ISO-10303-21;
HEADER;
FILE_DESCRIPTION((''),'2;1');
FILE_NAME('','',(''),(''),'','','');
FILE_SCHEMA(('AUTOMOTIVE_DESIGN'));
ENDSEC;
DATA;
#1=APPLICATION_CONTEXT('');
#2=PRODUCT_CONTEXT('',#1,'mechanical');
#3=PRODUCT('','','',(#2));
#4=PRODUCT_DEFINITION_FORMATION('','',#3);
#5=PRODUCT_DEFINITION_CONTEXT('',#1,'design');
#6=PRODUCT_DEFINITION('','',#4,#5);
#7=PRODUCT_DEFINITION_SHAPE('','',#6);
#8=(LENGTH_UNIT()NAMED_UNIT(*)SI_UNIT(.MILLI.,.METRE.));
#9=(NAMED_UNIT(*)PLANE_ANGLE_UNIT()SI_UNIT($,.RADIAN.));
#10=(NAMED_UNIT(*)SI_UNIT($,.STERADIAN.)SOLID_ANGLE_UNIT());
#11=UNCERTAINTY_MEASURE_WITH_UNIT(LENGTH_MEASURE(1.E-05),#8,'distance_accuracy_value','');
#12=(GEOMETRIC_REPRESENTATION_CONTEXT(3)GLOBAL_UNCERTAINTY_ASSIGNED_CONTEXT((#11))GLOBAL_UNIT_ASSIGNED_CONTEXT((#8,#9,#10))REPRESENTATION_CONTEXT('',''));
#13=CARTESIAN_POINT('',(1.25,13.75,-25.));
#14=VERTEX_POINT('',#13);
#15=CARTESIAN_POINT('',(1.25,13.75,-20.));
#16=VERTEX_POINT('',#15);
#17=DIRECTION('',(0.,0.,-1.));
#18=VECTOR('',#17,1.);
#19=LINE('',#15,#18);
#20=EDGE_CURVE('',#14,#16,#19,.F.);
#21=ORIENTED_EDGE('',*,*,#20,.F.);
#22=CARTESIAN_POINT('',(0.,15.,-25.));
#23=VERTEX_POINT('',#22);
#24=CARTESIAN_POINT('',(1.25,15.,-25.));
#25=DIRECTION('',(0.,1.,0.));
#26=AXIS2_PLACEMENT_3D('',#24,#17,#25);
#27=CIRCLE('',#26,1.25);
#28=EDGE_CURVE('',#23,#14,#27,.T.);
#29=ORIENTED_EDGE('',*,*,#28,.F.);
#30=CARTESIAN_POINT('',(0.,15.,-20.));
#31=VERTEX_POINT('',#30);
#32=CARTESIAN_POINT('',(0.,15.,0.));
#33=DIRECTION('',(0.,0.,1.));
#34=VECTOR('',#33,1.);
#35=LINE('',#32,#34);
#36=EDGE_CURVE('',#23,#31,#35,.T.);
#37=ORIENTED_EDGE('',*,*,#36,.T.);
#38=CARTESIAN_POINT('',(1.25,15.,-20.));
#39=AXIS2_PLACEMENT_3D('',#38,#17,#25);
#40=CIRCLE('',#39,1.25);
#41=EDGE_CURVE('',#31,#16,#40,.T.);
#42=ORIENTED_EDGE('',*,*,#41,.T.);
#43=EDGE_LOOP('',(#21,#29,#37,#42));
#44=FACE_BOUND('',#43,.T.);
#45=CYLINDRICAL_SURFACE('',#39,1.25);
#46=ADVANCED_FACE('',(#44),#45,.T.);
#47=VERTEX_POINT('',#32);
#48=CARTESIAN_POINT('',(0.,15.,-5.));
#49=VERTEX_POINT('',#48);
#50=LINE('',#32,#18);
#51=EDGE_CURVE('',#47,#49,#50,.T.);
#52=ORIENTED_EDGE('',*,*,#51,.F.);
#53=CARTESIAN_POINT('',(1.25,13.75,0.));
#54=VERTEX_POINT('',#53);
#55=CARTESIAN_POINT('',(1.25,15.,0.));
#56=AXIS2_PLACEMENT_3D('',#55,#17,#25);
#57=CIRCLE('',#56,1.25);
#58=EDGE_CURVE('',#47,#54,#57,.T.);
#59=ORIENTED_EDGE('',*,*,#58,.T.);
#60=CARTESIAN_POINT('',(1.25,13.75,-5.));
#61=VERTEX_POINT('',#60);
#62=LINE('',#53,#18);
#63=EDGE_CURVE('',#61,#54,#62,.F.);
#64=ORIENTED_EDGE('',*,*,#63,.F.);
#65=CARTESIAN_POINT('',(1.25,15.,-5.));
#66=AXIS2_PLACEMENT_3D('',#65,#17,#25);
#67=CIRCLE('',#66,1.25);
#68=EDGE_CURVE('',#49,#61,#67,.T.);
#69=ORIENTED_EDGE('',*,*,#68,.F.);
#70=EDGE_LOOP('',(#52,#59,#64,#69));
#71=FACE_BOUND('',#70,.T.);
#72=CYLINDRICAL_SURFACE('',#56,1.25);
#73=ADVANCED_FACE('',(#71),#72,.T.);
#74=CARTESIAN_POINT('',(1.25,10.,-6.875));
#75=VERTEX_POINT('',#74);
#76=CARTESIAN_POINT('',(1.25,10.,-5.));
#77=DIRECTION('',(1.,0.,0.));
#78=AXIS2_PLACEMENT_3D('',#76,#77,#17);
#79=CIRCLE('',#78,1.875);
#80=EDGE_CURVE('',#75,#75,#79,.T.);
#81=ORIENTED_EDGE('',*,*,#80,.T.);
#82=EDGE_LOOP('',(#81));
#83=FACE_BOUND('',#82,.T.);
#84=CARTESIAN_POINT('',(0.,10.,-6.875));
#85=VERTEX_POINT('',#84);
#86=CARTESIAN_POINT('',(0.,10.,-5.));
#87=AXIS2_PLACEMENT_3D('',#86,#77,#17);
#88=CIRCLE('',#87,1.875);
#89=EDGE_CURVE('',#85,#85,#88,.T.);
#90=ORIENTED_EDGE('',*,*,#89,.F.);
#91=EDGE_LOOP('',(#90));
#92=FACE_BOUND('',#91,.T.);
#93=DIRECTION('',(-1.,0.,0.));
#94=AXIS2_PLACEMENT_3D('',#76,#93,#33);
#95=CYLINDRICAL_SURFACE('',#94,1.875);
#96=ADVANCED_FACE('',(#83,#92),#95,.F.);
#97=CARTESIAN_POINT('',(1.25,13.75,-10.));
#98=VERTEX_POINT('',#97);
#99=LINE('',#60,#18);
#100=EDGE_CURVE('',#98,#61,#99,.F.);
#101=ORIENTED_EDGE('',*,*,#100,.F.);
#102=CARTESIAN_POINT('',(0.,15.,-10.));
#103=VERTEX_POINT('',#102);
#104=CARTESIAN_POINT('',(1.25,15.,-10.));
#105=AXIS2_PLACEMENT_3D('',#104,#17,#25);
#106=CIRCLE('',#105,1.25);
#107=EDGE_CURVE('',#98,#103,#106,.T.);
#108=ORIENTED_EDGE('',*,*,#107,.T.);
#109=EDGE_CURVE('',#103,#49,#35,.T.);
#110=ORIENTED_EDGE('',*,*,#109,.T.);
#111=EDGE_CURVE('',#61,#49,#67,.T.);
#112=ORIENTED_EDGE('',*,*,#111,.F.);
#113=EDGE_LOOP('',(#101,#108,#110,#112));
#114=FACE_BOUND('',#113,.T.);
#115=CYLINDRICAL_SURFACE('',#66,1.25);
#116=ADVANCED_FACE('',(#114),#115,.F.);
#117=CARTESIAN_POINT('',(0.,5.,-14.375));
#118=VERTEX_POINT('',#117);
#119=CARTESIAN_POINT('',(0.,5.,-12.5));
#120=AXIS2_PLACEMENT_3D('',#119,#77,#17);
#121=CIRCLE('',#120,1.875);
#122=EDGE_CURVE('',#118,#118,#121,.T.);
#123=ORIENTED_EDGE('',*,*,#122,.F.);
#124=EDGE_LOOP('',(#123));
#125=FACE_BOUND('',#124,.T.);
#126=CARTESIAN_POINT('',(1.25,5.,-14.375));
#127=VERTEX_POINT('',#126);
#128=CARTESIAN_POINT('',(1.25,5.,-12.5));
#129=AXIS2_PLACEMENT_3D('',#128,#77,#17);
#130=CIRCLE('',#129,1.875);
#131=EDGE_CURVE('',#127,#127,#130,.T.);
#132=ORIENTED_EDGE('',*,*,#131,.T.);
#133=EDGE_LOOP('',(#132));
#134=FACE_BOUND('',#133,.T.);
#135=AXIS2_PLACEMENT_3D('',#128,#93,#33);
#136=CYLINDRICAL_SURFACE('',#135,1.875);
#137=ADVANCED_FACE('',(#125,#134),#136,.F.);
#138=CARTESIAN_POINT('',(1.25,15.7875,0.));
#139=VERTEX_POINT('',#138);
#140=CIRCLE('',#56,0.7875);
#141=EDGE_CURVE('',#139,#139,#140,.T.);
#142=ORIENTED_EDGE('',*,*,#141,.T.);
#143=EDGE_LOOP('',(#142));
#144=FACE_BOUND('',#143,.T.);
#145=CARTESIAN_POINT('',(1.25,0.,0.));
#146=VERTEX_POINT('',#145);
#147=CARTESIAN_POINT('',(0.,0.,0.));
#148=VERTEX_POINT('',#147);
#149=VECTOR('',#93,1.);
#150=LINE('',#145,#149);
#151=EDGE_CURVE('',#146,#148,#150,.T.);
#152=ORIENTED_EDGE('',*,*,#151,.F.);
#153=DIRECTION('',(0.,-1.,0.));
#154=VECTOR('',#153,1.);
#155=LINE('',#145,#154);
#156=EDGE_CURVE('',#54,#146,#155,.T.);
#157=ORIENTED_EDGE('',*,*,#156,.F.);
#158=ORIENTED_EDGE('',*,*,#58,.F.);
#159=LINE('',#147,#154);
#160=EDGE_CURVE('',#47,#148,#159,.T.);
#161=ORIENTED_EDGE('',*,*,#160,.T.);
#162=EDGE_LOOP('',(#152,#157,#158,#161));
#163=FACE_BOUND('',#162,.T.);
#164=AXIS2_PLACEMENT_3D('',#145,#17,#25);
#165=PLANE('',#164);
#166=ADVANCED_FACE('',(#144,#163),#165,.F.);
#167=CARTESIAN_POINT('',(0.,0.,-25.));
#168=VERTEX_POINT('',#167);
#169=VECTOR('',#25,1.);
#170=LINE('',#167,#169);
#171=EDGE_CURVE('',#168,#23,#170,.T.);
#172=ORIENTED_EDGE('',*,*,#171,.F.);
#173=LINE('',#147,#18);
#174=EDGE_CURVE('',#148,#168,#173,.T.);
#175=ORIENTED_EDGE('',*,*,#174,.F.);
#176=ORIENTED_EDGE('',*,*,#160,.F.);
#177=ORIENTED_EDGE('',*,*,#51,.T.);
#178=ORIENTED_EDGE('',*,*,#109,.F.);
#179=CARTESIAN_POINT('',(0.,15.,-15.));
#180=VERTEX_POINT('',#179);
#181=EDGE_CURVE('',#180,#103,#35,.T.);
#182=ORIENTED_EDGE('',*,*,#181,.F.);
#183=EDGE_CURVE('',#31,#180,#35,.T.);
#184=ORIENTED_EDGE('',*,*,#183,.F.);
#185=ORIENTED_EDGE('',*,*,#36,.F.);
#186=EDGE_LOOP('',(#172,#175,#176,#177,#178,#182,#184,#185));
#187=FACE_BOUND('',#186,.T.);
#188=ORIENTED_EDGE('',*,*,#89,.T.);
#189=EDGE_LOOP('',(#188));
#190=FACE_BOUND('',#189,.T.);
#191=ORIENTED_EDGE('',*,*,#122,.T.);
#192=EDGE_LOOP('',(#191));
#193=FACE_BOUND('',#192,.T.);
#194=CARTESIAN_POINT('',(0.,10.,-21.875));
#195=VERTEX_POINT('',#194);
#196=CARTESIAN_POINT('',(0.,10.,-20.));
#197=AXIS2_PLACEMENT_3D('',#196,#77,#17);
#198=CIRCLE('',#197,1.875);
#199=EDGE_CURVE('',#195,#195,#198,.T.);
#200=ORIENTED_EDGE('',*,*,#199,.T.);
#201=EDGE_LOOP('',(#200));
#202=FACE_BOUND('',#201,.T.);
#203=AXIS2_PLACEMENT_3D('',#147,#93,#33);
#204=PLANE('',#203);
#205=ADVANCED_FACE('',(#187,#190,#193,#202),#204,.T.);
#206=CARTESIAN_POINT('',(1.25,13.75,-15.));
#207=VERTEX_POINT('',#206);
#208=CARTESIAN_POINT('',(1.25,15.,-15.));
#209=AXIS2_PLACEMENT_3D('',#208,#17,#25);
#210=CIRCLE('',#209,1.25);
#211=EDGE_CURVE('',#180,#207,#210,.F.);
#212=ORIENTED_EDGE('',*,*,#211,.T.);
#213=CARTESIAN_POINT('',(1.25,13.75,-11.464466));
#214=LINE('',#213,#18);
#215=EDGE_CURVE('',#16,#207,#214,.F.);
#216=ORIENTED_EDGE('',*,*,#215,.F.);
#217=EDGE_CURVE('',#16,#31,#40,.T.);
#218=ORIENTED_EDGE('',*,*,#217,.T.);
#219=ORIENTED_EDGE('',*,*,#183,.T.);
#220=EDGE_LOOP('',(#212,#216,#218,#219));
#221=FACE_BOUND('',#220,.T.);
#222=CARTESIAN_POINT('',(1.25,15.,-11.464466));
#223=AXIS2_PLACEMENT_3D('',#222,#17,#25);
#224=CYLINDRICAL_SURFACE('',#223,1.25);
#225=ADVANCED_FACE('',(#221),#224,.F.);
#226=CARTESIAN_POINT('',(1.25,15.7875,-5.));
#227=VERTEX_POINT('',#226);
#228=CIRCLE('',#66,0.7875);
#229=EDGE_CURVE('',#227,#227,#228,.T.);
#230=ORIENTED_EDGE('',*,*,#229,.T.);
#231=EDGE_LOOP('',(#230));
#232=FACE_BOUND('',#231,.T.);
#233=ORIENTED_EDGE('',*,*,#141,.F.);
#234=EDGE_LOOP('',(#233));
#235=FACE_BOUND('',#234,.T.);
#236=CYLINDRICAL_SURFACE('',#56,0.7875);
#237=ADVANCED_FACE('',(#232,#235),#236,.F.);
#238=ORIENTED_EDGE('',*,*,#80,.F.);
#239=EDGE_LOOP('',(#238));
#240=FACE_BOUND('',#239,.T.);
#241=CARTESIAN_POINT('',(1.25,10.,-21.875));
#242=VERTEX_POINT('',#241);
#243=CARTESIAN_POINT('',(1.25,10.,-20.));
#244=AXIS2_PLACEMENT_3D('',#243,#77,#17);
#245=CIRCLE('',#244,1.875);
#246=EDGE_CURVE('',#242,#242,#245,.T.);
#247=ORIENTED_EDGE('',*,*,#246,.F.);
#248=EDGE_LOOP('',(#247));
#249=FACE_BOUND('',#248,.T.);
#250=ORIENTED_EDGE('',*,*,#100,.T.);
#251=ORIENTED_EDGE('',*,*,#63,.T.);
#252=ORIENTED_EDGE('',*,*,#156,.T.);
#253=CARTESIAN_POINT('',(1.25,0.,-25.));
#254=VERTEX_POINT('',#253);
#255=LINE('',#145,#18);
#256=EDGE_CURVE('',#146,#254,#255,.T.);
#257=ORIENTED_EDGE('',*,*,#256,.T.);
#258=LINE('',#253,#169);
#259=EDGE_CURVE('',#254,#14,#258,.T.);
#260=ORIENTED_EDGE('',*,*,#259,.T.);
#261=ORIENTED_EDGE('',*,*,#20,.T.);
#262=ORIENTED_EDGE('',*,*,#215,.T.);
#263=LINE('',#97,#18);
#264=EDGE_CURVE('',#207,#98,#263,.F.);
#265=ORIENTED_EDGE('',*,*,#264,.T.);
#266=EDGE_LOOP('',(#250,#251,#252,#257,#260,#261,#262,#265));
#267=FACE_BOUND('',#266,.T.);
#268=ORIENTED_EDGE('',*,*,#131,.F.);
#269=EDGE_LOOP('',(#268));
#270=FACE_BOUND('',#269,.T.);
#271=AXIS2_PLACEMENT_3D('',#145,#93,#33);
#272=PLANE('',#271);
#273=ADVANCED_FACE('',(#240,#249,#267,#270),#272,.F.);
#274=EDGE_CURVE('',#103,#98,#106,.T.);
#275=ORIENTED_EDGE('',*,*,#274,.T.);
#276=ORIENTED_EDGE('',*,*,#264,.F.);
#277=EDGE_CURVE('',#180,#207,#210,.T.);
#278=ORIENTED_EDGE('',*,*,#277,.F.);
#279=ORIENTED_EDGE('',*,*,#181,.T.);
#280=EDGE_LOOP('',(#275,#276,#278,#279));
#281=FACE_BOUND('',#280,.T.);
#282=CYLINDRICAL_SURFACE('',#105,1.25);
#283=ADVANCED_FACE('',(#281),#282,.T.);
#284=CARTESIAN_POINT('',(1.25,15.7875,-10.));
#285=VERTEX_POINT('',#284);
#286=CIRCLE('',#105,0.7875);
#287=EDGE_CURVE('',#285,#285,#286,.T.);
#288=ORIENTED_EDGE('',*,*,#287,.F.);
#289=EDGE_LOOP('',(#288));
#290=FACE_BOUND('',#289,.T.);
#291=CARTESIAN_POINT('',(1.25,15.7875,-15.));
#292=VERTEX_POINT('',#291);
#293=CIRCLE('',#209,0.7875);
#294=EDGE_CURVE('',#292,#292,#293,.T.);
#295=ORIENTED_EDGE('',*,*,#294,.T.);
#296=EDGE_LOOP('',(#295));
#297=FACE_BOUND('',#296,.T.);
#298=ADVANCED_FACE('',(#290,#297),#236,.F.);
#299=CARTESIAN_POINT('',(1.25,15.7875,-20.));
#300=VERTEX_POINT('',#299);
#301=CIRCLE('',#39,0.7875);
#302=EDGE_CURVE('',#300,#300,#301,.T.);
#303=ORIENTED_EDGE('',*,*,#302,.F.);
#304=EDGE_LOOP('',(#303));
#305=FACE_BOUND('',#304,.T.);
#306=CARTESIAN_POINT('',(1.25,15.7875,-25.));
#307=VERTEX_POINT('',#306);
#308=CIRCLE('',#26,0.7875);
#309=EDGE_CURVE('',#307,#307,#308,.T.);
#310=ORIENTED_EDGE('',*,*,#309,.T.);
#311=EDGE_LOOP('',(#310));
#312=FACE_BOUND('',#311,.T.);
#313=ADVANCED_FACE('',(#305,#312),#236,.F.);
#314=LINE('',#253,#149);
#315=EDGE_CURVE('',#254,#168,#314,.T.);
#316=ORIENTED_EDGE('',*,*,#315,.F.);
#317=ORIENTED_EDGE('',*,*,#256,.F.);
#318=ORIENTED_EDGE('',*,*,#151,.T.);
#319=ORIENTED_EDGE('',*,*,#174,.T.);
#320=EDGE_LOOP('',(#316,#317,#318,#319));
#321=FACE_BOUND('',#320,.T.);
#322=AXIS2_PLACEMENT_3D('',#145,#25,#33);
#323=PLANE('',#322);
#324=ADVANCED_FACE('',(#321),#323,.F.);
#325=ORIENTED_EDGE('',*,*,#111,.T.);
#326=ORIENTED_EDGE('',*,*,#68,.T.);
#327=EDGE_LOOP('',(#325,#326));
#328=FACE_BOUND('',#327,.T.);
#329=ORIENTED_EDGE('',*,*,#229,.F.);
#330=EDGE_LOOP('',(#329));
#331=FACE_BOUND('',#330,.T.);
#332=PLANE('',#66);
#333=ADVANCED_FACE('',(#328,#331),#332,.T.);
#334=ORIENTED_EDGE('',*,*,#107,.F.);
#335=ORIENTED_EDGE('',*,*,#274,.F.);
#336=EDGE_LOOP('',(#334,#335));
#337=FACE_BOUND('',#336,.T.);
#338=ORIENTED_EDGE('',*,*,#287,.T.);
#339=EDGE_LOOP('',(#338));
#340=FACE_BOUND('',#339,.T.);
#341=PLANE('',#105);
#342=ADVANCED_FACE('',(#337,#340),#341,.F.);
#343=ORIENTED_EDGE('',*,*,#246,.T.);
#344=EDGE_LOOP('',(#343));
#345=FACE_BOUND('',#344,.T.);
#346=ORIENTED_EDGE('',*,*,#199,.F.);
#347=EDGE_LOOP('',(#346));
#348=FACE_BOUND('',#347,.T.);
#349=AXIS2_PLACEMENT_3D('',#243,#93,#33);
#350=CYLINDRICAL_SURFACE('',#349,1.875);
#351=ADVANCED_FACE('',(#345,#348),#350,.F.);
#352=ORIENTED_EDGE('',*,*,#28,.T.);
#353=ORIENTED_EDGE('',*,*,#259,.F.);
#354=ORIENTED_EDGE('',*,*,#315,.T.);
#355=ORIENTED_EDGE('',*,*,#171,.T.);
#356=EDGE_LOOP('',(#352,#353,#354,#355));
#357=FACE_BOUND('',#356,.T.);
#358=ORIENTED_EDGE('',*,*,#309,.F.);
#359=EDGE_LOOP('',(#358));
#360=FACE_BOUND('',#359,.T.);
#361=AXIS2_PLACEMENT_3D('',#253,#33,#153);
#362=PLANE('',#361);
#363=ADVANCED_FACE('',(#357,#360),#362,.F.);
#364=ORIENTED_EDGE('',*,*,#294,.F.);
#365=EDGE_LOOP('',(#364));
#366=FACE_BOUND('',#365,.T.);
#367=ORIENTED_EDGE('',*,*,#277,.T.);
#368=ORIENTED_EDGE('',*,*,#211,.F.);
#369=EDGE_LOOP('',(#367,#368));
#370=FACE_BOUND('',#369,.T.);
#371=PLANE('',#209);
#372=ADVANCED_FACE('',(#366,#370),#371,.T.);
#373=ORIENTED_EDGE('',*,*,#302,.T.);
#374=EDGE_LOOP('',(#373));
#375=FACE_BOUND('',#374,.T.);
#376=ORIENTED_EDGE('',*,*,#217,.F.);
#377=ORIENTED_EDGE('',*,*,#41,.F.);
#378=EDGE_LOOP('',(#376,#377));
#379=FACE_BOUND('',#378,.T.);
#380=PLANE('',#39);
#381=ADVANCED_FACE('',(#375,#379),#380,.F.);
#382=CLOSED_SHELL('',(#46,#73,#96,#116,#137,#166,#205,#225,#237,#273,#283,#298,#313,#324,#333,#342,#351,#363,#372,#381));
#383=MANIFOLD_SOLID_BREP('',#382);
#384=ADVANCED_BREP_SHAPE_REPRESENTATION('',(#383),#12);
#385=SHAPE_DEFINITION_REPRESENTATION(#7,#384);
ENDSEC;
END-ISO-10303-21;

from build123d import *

# Parameters (mm, degrees)
SKETCH1_W           = 50
SKETCH1_H           = 30
SKETCH1_R           = 3.75
BOSS_EXTRUDE1_DEPTH = 2.5
SKETCH3_R           = 2.5
BOSS_EXTRUDE3_DEPTH = 10
SKETCH4_R           = 1.575
CUT_EXTRUDE1_DEPTH  = 50
LPATTERN1_COUNT     = 3
LPATTERN1_PITCH     = 20
CUT_EXTRUDE3_START  = -10
SKETCH5_R           = 2.5
CUT_EXTRUDE3_DEPTH  = 10
CUT_EXTRUDE4_START  = -40
SKETCH5_2_R         = 2.5
CUT_EXTRUDE4_DEPTH  = 10
ESCALA1_SCALE       = 0.5


with BuildPart() as part:
    # Sketch1 → Boss-Extrude1 (new body)
    with BuildSketch(Plane(origin=(0, 0, 0), x_dir=(0, 0, -1), z_dir=(1, 0, 0))):
        with Locations((25, 15)):
            Rectangle(SKETCH1_W, SKETCH1_H)
        with Locations((40, 20)):
            Circle(SKETCH1_R, mode=Mode.SUBTRACT)
        with Locations((25, 10)):
            Circle(SKETCH1_R, mode=Mode.SUBTRACT)
        with Locations((10, 20)):
            Circle(SKETCH1_R, mode=Mode.SUBTRACT)
    extrude(amount=BOSS_EXTRUDE1_DEPTH)

    # Sketch3 → Boss-Extrude3 (add)
    with BuildSketch(Plane(origin=(0, 0, -50), x_dir=(-1, 0, 0), z_dir=(0, 0, -1))):
        with Locations((-2.5, 30)):
            Circle(SKETCH3_R)
    boss_extrude3 = extrude(amount=-BOSS_EXTRUDE3_DEPTH)

    # Sketch4 → Cut-Extrude1 (cut)
    with BuildSketch(Plane(origin=(0, 0, -50), x_dir=(-1, 0, 0), z_dir=(0, 0, -1))):
        with Locations((-2.5, 30)):
            Circle(SKETCH4_R)
    cut_extrude1 = extrude(amount=-CUT_EXTRUDE1_DEPTH, mode=Mode.SUBTRACT)

    # LPattern1: Boss-Extrude3, Cut-Extrude1 ×3
    with Locations(*[(0, 0, i * LPATTERN1_PITCH) for i in range(1, LPATTERN1_COUNT)]):
        add(boss_extrude3)
        add(cut_extrude1, mode=Mode.SUBTRACT)

    # Sketch5 → Cut-Extrude3 (cut)
    with BuildSketch(Plane(origin=(0, 0, -50), x_dir=(-1, 0, 0), z_dir=(0, 0, -1)).offset(CUT_EXTRUDE3_START)):
        with Locations((-2.5, 30)):
            Circle(SKETCH5_R)
    extrude(amount=-CUT_EXTRUDE3_DEPTH, mode=Mode.SUBTRACT)

    # Sketch5<2> → Cut-Extrude4 (cut)
    with BuildSketch(Plane(origin=(0, 0, -50), x_dir=(-1, 0, 0), z_dir=(0, 0, -1)).offset(CUT_EXTRUDE4_START)):
        with Locations((-2.5, 30)):
            Circle(SKETCH5_2_R)
    extrude(amount=CUT_EXTRUDE4_DEPTH, mode=Mode.SUBTRACT)


with BuildPart() as part_1:
    # Escala1: scaled about (0, 0, 0)
    add(part.part.scale(ESCALA1_SCALE))


solid = part_1.part
